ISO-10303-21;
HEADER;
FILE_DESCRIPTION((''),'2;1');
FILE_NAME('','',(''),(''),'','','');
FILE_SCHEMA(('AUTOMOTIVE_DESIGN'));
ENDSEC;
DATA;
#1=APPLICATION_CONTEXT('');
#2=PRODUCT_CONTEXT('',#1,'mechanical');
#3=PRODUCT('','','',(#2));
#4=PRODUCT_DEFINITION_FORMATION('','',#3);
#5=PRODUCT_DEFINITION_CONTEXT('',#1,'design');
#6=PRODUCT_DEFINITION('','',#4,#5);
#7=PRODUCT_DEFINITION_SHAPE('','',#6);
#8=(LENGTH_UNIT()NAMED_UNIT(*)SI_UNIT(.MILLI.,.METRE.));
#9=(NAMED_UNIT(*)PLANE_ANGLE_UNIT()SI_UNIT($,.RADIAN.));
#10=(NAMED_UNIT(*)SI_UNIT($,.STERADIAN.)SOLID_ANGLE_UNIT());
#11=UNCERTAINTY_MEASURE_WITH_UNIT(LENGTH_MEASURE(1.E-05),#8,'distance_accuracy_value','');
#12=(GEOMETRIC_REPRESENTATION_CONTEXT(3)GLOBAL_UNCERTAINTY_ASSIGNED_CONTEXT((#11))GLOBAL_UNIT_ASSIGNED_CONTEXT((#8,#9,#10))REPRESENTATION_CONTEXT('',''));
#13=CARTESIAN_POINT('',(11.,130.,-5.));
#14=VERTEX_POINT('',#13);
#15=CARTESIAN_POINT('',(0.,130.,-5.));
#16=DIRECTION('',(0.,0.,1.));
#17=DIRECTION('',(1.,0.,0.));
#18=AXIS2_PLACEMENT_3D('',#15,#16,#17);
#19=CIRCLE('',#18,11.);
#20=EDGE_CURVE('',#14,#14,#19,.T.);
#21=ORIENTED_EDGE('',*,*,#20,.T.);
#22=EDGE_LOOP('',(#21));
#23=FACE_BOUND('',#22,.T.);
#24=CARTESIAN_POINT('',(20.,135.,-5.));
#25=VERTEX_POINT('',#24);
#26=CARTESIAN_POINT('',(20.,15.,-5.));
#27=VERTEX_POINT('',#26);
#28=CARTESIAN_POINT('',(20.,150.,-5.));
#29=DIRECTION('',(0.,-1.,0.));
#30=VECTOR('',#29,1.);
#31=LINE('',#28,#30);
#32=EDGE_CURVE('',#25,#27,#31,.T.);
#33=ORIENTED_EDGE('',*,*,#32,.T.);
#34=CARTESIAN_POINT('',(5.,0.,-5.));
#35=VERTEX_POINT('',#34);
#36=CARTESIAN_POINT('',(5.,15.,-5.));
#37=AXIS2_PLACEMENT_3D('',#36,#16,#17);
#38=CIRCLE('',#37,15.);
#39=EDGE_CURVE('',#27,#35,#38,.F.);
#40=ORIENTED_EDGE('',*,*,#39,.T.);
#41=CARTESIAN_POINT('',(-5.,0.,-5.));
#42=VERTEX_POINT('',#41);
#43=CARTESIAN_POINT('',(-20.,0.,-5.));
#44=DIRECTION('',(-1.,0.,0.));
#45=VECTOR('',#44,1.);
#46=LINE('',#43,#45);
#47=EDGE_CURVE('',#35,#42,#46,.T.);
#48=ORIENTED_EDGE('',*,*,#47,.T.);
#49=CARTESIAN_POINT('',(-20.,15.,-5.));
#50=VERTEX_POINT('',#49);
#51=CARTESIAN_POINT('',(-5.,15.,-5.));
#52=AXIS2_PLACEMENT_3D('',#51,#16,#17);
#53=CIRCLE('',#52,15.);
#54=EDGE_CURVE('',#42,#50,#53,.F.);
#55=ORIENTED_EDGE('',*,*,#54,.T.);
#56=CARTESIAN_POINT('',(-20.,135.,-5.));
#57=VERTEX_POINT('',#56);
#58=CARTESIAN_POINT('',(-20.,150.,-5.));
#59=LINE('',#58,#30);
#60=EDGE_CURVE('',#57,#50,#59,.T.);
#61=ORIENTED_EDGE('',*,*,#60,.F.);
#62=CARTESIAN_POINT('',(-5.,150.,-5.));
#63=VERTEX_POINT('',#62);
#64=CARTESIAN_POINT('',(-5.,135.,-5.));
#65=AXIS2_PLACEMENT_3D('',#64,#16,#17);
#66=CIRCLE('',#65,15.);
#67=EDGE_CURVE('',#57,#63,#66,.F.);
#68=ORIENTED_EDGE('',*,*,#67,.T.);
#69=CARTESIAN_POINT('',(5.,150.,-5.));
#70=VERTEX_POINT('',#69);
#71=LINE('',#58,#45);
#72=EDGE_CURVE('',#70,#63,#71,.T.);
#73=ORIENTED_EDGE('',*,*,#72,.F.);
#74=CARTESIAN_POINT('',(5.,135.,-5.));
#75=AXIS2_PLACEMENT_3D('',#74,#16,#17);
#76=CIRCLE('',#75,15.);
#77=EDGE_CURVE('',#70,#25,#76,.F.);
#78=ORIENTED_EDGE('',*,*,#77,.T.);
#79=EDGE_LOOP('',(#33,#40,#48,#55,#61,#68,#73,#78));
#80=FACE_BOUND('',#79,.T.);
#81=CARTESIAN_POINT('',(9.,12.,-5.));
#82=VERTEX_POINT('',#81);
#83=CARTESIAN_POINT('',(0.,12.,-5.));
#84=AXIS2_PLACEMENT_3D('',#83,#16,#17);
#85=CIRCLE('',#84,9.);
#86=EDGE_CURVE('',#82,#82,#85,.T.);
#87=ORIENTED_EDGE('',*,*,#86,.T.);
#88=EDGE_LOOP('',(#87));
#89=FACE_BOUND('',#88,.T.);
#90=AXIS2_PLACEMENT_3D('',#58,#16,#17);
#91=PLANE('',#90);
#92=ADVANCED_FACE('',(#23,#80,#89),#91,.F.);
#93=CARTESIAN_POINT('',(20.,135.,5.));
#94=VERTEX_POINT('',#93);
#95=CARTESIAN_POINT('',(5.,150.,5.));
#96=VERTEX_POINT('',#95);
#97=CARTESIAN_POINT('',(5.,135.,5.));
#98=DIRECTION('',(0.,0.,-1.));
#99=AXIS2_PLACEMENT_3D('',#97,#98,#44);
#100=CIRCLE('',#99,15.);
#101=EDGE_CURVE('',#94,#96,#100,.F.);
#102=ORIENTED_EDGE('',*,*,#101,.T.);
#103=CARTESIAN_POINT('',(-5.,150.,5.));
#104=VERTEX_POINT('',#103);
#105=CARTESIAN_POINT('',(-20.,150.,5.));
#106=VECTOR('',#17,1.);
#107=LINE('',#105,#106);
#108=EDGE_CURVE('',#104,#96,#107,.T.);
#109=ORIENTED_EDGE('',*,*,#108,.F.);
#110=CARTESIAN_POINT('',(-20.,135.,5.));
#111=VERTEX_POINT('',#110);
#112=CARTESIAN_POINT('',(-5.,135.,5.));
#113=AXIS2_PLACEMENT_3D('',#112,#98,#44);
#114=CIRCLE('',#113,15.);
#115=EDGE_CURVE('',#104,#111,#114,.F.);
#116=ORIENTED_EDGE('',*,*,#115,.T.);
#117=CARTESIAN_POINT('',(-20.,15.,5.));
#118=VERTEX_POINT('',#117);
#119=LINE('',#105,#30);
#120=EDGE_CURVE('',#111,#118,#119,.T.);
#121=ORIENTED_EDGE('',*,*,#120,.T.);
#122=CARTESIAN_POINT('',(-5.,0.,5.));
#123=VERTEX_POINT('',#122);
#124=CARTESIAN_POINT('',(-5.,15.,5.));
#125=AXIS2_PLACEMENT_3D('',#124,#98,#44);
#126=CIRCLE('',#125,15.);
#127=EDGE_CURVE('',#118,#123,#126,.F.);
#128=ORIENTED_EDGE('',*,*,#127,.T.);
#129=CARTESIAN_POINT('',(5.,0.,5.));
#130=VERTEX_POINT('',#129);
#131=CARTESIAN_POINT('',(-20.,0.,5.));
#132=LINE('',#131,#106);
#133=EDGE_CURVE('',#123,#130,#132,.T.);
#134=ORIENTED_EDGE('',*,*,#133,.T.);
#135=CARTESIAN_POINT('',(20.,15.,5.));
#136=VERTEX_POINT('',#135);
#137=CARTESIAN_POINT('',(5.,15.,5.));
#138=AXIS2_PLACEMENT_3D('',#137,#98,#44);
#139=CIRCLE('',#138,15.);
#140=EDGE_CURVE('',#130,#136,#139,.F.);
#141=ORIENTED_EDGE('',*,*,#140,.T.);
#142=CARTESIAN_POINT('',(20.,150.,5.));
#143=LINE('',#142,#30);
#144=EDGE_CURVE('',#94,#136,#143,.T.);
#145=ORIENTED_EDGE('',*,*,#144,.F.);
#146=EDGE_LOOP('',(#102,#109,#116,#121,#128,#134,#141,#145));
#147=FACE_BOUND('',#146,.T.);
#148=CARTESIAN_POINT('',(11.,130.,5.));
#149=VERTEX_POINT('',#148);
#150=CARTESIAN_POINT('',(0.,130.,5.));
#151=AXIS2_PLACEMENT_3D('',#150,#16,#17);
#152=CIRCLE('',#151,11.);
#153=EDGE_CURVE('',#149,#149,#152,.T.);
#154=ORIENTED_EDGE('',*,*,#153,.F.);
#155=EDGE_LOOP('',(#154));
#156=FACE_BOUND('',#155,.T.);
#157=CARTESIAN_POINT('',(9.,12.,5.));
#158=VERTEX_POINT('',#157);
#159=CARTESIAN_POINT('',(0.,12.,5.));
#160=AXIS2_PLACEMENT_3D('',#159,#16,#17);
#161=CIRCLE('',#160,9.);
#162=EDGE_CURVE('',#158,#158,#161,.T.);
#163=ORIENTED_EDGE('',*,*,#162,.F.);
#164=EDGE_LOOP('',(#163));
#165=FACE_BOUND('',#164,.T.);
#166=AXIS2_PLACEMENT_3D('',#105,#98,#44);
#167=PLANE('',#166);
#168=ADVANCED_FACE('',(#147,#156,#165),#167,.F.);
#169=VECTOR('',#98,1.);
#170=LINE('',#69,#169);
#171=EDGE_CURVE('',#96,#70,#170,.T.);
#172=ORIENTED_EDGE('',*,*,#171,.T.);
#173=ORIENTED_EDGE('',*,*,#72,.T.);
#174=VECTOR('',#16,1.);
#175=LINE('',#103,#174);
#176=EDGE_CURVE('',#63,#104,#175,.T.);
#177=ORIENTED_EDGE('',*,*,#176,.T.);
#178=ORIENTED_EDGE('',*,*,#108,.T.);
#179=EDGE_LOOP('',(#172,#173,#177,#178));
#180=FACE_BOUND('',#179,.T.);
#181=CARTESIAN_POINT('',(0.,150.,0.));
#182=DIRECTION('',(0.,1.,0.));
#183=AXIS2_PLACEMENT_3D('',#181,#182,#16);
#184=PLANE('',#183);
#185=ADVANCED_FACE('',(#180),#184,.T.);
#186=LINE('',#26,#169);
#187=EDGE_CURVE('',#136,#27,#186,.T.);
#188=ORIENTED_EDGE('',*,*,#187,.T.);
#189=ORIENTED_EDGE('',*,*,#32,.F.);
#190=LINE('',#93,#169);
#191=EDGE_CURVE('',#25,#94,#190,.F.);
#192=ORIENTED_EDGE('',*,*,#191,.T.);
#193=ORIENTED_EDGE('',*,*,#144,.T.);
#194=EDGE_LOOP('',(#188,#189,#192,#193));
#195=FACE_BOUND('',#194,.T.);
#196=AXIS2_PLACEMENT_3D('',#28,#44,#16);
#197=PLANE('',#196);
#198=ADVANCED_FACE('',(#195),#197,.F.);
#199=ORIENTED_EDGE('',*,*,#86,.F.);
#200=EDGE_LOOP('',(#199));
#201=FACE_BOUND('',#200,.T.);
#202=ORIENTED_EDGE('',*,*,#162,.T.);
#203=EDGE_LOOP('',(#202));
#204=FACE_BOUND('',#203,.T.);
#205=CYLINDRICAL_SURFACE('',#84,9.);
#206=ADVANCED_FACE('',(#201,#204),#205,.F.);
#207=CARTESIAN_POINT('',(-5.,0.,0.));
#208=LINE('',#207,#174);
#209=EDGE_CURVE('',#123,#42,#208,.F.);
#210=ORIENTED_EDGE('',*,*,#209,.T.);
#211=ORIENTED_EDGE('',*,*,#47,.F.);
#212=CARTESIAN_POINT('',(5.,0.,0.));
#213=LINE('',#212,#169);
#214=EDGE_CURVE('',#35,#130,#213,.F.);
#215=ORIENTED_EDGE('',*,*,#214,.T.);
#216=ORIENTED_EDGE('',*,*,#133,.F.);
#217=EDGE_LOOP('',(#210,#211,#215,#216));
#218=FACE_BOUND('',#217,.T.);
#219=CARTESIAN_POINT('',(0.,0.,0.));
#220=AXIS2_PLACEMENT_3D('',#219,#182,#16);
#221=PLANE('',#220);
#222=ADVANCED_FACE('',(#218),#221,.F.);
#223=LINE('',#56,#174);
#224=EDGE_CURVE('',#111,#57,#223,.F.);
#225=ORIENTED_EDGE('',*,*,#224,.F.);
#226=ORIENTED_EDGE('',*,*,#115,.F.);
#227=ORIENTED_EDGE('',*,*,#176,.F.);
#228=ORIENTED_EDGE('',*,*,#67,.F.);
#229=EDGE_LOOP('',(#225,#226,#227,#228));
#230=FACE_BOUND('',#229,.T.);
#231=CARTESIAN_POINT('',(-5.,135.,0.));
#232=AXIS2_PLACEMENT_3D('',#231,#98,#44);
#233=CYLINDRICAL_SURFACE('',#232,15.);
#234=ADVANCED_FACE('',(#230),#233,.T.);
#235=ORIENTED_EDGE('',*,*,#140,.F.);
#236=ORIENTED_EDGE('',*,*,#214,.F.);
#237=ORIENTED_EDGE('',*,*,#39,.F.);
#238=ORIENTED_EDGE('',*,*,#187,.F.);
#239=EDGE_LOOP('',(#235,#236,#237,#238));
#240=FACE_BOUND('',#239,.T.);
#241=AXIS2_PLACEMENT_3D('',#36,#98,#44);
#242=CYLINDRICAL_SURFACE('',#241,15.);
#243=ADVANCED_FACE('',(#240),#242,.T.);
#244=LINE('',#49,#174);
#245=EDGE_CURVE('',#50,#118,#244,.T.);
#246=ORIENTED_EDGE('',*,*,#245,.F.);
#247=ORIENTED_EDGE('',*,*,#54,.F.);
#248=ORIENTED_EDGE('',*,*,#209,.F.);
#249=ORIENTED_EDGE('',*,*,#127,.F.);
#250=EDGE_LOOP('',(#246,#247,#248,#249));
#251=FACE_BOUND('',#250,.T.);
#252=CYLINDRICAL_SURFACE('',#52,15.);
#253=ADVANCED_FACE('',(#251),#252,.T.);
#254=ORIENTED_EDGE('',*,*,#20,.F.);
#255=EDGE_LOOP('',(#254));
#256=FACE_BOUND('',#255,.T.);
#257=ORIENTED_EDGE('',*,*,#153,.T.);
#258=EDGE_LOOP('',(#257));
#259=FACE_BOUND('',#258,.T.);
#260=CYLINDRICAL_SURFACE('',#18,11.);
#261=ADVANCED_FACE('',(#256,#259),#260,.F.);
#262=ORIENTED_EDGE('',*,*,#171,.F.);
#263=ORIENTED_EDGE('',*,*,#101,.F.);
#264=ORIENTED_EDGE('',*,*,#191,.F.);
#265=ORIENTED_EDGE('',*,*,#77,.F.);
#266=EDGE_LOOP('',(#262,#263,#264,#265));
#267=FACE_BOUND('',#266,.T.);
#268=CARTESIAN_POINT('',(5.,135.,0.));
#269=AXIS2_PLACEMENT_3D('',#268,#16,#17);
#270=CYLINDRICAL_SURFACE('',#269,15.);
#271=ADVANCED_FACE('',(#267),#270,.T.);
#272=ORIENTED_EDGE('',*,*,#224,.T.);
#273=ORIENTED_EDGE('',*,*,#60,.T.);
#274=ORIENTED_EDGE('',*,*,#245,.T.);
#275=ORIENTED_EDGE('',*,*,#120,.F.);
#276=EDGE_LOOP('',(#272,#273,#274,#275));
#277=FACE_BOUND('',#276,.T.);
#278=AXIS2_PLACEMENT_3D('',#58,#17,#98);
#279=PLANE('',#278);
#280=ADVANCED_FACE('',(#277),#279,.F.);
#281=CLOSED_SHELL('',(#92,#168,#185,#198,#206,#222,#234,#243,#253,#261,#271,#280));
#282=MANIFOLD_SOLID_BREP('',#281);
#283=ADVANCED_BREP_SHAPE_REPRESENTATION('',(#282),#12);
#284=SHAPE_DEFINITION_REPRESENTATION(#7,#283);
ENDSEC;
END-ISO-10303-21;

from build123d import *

# Parameters (mm, degrees)
SKIZZE1_W                       = 40
SKIZZE1_H                       = 10
AUFSATZ_LINEAR_AUSTRAGEN1_DEPTH = 150
SKIZZE2_R                       = 11
SCHNITT_LINEAR_AUSTRAGEN1_DEPTH = 152.657508881
SKIZZE3_R                       = 9
SCHNITT_LINEAR_AUSTRAGEN5_DEPTH = 152.657508881
VERRUNDUNG1_R                   = 15


with BuildPart() as part:
    # Skizze1 → Aufsatz-Linear austragen1 (new body)
    with BuildSketch(Plane(origin=(0, 0, 0), x_dir=(1, 0, 0), z_dir=(0, 1, 0))):
        Rectangle(SKIZZE1_W, SKIZZE1_H)
    extrude(amount=AUFSATZ_LINEAR_AUSTRAGEN1_DEPTH)

    # Skizze2 → Schnitt-Linear austragen1 (cut, through all)
    with BuildSketch(Plane.XY.offset(5)):
        with Locations((0, 130)):
            Circle(SKIZZE2_R)
    extrude(amount=-SCHNITT_LINEAR_AUSTRAGEN1_DEPTH, mode=Mode.SUBTRACT)

    # Skizze3 → Schnitt-Linear austragen5 (cut, through all)
    with BuildSketch(Plane.XY.offset(5)):
        with Locations((0, 12)):
            Circle(SKIZZE3_R)
    extrude(amount=-SCHNITT_LINEAR_AUSTRAGEN5_DEPTH, mode=Mode.SUBTRACT)

    # Verrundung1
    verrundung1_edges = [part.edges().sort_by_distance(p)[0] for p in [
        (-20, 150, 0),
        (20, 150, 0),
        (-20, 0, 0),
        (20, 0, 0),
    ]]
    fillet(verrundung1_edges, radius=VERRUNDUNG1_R)


solid = part.part
